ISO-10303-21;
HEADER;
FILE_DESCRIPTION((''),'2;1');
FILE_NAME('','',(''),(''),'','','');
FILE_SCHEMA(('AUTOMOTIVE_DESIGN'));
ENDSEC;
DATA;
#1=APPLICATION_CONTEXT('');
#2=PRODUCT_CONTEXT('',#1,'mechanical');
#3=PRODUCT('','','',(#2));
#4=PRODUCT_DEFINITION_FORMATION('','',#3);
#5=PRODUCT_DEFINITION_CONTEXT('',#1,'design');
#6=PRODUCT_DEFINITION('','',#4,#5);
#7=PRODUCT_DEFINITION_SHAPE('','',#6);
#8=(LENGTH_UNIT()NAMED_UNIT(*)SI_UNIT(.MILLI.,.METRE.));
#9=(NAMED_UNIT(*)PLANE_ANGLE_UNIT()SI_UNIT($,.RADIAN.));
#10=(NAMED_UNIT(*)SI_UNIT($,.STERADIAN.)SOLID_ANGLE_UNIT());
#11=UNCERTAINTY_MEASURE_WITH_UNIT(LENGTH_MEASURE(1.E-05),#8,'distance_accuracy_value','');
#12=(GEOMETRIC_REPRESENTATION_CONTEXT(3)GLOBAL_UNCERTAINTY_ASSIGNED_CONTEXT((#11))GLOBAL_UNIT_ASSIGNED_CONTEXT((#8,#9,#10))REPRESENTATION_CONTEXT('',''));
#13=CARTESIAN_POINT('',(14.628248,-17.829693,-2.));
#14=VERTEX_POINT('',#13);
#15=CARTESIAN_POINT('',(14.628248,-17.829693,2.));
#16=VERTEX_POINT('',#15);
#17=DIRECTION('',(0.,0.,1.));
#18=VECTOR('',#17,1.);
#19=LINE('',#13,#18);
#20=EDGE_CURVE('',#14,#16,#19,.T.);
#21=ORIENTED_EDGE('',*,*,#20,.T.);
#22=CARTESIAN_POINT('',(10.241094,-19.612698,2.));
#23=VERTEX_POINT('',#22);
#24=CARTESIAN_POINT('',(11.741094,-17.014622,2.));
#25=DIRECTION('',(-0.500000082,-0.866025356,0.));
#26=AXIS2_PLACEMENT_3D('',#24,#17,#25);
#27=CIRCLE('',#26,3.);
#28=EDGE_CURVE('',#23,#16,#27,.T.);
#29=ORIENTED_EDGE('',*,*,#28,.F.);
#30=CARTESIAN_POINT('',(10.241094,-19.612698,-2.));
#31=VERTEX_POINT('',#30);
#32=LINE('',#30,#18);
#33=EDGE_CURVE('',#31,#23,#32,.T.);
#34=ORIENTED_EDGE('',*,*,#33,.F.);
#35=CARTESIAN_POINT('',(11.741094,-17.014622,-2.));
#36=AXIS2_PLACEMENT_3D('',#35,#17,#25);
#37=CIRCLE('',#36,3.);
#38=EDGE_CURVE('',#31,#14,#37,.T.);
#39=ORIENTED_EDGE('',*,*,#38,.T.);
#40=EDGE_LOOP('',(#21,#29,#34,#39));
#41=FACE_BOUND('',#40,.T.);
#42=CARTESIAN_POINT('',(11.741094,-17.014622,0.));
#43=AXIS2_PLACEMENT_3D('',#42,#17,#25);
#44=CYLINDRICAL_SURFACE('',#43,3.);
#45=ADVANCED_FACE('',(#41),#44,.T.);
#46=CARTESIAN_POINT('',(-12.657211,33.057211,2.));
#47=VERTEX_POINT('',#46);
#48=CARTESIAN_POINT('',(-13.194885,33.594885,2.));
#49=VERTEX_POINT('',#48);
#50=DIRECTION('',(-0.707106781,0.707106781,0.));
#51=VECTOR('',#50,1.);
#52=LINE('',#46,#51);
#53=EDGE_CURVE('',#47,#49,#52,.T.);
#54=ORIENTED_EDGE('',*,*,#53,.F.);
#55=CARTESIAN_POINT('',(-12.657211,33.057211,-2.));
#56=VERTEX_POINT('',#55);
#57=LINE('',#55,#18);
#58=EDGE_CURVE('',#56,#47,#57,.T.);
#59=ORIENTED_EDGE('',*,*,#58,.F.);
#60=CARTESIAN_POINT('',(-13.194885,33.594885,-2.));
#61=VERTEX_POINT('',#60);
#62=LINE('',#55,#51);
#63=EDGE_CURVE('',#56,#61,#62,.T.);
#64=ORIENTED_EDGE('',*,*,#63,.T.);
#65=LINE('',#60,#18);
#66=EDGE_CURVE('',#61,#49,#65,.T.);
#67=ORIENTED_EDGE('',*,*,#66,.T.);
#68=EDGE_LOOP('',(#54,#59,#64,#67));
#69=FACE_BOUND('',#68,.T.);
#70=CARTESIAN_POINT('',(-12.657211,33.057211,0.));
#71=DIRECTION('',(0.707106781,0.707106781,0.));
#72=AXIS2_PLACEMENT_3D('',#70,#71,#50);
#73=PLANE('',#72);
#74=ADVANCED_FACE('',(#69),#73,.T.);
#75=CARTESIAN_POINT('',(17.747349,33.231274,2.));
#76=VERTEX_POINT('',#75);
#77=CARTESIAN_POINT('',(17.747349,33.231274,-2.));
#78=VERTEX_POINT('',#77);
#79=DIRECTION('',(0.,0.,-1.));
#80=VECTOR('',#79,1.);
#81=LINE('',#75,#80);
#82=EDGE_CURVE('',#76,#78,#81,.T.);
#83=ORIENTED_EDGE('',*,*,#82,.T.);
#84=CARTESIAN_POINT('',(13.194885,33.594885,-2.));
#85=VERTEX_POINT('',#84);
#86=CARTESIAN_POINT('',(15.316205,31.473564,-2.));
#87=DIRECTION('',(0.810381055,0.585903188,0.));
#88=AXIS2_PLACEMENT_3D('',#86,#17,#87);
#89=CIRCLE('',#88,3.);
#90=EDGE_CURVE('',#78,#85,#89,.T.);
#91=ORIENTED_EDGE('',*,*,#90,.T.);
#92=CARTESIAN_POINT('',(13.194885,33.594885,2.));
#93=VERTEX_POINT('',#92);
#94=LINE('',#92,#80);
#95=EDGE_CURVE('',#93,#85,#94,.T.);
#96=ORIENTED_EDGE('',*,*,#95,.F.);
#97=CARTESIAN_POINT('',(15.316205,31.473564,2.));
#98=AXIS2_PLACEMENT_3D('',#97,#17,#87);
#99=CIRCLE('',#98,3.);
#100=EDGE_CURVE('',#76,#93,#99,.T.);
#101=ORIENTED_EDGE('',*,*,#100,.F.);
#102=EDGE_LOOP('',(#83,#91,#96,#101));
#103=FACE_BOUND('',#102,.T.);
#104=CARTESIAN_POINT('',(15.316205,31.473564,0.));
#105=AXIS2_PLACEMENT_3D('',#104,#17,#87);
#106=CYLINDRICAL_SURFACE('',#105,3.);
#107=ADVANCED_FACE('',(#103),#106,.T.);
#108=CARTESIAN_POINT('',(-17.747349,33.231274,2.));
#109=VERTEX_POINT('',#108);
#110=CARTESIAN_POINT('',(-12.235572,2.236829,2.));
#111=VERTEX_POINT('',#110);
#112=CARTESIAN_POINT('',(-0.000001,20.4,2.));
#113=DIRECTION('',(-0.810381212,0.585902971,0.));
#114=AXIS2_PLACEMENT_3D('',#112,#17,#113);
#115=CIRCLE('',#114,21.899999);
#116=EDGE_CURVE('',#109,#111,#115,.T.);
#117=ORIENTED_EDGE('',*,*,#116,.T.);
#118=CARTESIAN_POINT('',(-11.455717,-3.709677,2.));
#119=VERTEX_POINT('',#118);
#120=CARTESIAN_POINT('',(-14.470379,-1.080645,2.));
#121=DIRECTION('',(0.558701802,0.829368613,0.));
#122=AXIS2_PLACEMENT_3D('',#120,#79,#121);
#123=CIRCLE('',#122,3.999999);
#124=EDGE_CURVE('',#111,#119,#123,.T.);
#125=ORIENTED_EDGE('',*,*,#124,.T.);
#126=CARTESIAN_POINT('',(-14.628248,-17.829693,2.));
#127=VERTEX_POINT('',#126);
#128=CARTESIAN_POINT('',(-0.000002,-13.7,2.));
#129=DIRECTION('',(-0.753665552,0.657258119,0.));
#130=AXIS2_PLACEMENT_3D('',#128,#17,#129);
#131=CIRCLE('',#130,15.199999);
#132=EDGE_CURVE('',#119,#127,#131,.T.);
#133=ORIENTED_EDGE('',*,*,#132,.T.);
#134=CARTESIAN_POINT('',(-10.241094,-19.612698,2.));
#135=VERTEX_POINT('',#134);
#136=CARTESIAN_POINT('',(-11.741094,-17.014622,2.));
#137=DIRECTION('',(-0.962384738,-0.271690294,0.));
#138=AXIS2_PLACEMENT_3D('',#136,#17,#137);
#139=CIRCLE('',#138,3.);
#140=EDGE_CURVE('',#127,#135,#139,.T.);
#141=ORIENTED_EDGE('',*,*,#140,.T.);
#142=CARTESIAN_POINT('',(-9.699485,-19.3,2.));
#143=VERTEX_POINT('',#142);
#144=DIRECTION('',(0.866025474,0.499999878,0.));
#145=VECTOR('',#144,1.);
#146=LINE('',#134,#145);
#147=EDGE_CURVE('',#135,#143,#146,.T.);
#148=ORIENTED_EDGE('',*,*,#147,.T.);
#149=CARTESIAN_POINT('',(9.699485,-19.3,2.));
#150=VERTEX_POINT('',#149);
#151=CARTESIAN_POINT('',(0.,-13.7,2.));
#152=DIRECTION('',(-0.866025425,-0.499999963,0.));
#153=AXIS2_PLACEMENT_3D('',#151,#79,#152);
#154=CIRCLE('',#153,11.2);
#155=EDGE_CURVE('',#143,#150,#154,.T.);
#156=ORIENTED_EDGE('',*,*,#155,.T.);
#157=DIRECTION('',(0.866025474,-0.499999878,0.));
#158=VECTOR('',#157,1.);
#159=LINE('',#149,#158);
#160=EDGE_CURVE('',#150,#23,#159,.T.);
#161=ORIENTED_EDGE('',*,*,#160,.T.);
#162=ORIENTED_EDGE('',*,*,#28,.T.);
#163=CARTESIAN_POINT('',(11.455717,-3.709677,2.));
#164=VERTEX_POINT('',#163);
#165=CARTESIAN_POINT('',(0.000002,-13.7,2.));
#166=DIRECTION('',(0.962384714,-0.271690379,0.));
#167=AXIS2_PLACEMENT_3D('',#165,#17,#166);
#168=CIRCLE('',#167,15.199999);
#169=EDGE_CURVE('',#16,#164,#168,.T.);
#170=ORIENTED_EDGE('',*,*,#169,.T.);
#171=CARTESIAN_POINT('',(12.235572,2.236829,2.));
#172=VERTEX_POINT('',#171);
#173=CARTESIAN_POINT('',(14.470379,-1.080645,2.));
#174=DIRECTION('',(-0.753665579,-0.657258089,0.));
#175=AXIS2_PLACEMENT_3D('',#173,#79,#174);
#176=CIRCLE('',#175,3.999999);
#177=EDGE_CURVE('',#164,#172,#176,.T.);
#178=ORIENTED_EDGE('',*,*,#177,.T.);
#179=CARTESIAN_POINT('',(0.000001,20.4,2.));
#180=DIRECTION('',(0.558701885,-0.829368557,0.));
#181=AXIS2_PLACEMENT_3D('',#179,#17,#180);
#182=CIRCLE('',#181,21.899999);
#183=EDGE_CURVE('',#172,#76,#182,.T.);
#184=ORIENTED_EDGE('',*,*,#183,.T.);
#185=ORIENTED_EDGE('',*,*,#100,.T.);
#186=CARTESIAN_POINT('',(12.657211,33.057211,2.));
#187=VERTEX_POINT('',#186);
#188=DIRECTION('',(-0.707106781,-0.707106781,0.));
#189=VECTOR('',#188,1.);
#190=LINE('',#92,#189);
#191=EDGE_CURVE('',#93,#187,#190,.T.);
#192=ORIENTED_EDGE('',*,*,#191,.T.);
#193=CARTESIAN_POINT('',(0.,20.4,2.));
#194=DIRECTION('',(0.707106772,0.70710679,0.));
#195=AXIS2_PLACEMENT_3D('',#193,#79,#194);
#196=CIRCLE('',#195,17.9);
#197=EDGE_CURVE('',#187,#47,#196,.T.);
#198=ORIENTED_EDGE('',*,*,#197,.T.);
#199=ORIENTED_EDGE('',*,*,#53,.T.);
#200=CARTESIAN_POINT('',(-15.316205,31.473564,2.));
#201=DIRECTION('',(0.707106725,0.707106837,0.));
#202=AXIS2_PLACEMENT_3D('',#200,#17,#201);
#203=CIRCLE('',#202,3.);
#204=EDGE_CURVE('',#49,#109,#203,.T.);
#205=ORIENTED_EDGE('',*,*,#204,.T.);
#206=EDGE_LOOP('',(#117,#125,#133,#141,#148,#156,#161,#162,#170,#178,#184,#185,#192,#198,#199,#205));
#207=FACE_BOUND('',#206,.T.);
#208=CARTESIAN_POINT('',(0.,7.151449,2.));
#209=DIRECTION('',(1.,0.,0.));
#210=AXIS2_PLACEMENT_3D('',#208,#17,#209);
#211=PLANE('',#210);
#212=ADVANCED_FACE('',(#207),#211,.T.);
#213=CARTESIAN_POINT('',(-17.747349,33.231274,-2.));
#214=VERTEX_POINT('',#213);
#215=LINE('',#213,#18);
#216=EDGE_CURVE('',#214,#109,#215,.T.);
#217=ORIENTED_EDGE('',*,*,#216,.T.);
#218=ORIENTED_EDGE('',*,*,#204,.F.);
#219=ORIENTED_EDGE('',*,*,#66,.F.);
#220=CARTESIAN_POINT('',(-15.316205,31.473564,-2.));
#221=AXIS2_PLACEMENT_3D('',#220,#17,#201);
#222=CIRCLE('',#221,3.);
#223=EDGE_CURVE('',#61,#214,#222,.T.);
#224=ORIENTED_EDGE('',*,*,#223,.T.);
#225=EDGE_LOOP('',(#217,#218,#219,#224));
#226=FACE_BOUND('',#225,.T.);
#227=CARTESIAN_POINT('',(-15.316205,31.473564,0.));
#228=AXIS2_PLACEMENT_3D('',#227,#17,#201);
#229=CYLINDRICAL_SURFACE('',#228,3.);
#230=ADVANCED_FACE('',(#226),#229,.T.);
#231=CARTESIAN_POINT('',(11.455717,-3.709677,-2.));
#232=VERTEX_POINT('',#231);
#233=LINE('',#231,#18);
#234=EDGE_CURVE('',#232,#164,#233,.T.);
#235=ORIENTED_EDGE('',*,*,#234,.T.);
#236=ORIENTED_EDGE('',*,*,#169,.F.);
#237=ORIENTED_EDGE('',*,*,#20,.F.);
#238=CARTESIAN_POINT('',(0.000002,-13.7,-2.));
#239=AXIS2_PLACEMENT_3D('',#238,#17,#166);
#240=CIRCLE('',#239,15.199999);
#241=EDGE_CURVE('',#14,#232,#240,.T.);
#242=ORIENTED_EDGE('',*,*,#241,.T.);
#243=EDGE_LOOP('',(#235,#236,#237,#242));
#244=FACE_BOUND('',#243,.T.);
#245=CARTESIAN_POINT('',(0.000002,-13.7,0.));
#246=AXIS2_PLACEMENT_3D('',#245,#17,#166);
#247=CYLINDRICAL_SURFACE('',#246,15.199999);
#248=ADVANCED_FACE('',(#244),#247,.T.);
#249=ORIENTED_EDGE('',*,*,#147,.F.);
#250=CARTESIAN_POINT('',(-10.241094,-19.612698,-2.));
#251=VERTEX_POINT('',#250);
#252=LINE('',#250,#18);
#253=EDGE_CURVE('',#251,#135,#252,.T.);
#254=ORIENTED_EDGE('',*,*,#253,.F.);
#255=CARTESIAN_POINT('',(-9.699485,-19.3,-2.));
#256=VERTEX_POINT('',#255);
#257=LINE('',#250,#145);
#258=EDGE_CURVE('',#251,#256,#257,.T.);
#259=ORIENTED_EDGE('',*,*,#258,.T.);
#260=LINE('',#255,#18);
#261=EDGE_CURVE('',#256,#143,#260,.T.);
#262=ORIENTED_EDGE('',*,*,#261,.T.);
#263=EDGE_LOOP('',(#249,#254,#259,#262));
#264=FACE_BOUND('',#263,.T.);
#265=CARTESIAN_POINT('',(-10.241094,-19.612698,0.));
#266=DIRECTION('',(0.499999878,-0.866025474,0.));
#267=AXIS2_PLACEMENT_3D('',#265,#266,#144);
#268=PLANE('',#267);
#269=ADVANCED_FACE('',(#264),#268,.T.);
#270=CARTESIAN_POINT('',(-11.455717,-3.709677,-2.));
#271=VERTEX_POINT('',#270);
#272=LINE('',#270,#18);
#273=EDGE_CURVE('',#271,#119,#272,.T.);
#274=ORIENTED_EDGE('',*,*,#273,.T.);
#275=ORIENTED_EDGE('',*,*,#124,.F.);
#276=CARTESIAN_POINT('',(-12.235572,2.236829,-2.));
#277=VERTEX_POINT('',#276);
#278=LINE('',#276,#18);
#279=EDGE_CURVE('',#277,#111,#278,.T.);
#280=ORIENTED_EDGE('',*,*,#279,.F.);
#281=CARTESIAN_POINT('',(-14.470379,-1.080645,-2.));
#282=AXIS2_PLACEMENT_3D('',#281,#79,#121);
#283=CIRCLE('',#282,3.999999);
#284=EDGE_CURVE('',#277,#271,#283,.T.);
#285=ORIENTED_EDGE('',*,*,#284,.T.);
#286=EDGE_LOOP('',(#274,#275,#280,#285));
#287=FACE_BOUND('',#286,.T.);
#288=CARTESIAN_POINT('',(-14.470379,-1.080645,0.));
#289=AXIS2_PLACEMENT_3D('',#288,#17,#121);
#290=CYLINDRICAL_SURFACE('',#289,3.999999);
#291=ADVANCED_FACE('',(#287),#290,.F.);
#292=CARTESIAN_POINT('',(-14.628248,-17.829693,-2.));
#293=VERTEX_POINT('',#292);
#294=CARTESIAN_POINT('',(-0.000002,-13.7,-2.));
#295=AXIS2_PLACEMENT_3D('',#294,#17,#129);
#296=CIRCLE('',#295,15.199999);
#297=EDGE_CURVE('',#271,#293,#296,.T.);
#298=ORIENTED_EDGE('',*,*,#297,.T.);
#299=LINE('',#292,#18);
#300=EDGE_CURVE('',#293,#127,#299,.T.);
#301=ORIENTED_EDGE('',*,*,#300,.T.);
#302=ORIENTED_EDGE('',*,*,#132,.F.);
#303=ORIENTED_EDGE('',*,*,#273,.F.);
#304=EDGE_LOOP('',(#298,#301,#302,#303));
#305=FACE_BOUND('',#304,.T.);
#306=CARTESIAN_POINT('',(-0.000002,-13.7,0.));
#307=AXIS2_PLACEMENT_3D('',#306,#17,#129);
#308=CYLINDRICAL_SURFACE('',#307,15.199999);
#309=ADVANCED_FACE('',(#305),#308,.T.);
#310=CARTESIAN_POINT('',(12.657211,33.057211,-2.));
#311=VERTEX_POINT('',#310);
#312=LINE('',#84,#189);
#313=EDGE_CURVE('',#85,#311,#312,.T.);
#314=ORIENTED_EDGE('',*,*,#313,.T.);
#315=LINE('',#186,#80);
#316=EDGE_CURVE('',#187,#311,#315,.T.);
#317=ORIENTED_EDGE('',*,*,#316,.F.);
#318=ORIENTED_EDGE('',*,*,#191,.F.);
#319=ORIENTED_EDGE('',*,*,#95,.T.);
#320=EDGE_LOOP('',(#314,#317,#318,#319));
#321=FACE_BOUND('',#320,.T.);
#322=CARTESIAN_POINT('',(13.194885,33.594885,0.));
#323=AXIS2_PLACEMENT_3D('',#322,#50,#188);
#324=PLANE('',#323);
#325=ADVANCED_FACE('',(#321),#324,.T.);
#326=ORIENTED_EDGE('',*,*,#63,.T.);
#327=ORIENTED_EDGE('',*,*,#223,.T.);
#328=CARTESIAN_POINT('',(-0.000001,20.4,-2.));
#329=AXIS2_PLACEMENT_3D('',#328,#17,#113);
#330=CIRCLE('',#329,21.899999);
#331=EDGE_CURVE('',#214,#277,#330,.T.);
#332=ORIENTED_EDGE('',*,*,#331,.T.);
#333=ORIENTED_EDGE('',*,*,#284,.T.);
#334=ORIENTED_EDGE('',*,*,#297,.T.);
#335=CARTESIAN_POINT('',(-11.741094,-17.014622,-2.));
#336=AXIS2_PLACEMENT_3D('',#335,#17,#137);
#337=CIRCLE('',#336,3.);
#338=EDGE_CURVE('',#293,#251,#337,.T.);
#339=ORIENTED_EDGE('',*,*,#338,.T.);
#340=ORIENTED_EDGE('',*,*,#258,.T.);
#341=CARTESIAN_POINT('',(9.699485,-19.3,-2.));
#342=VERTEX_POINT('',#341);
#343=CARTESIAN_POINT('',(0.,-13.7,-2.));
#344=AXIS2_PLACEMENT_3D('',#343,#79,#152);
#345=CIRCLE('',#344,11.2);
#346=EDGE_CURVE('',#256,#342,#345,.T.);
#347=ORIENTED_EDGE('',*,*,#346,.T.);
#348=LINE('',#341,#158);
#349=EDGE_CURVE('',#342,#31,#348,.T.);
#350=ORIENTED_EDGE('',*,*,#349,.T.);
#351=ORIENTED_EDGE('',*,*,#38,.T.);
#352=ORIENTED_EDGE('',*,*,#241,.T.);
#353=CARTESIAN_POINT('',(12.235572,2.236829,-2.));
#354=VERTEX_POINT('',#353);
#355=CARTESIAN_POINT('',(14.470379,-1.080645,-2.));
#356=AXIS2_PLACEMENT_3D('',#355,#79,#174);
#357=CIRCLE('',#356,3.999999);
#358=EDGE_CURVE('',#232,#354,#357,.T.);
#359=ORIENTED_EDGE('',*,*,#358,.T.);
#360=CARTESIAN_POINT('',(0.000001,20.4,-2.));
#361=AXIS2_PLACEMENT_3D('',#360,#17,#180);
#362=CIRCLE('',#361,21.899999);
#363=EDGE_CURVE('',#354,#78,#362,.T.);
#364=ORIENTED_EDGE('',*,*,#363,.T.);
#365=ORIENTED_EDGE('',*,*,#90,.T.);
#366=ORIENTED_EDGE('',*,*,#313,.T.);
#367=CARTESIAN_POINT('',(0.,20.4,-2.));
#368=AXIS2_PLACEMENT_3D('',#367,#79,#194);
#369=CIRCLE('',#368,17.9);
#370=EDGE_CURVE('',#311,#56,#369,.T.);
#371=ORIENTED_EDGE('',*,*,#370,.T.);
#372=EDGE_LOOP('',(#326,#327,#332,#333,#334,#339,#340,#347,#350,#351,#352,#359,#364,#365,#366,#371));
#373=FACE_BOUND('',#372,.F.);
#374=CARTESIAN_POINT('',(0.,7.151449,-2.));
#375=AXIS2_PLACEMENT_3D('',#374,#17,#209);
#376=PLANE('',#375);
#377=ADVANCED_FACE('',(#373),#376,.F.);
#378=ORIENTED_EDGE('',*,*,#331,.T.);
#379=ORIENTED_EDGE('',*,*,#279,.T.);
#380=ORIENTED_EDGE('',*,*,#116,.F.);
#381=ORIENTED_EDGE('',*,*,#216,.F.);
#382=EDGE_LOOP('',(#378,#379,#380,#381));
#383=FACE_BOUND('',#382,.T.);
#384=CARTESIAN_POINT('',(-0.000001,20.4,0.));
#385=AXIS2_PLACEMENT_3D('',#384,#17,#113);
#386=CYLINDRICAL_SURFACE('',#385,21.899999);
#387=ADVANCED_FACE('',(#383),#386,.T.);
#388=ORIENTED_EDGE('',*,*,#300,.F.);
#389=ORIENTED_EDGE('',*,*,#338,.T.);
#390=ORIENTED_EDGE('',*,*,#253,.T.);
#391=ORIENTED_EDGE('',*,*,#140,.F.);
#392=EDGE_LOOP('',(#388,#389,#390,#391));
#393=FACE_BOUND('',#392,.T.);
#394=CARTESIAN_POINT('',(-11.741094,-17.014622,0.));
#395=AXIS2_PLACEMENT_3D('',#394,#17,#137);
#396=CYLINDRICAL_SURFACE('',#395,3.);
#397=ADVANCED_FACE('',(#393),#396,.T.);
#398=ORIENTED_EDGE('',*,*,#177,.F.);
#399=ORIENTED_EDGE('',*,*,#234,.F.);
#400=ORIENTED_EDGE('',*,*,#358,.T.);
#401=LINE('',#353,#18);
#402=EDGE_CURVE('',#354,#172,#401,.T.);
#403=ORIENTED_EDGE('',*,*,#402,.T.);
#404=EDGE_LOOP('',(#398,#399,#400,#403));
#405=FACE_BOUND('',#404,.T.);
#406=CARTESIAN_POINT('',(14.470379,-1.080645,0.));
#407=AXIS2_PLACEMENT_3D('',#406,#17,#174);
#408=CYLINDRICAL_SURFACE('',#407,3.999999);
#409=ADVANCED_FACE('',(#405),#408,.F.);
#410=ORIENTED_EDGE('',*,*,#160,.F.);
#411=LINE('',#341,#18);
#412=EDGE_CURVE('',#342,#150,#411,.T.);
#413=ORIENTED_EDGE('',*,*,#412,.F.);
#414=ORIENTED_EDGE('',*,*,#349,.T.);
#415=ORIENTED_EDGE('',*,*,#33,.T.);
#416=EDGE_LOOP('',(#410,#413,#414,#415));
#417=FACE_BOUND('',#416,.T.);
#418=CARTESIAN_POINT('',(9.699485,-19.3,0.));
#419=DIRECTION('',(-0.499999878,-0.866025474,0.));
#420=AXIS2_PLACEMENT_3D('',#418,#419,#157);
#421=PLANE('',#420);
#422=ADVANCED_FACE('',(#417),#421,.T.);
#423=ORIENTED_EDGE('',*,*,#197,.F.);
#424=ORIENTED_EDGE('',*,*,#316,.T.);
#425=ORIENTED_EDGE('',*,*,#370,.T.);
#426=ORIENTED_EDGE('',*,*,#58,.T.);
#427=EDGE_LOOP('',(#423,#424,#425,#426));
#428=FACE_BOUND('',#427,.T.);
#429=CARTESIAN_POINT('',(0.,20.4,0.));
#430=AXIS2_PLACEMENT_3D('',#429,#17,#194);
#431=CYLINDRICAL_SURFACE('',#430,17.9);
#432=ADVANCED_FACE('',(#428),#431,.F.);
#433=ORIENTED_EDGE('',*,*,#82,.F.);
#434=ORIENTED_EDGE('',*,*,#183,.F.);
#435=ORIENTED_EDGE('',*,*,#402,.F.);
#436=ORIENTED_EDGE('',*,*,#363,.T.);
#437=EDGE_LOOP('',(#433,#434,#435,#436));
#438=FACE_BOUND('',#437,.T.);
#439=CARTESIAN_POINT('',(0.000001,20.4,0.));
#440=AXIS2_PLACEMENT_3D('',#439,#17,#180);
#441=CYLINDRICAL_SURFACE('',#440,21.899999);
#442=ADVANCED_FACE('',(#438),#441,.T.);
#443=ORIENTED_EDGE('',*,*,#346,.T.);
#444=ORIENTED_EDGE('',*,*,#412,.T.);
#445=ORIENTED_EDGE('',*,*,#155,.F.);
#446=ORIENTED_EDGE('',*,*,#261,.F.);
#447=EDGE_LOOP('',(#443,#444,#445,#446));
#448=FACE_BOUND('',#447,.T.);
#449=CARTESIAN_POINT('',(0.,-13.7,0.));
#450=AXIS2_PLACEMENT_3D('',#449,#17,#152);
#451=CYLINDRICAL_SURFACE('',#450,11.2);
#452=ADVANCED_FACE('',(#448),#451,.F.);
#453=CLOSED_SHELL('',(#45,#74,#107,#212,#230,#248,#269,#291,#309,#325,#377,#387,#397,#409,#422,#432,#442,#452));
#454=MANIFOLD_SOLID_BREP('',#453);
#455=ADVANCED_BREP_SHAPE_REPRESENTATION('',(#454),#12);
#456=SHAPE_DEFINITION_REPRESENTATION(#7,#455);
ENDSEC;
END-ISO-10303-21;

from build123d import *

# Parameters (mm, degrees)
F2_DEPTH = 2


with BuildPart() as f2:
    # F0 (on Top) → F2 (new body, symmetric)
    with BuildSketch(Plane.XY):
        with BuildLine():
            ThreePointArc((12.657211, 33.057211), (0, 2.5), (-12.657211, 33.057211))
            Line((-12.657211, 33.057211), (-13.194885, 33.594885))
            ThreePointArc((-13.194885, 33.594885), (-15.555059, 34.464041), (-17.747349, 33.231274))
            ThreePointArc((-17.747349, 33.231274), (-21.561721, 16.565655), (-12.235572, 2.236829))
            ThreePointArc((-12.235572, 2.236829), (-10.50434, -0.560519), (-11.455717, -3.709677))
            ThreePointArc((-11.455717, -3.709677), (-14.830274, -10.367886), (-14.628248, -17.829693))
            ThreePointArc((-14.628248, -17.829693), (-12.870618, -19.793862), (-10.241094, -19.612698))
            Line((-10.241094, -19.612698), (-9.699485, -19.3))
            ThreePointArc((-9.699485, -19.3), (0, -2.5), (9.699485, -19.3))
            Line((9.699485, -19.3), (10.241094, -19.612698))
            ThreePointArc((10.241094, -19.612698), (12.870618, -19.793862), (14.628248, -17.829693))
            ThreePointArc((14.628248, -17.829693), (14.830274, -10.367886), (11.455717, -3.709677))
            ThreePointArc((11.455717, -3.709677), (10.50434, -0.560519), (12.235572, 2.236829))
            ThreePointArc((12.235572, 2.236829), (21.561721, 16.565655), (17.747349, 33.231274))
            ThreePointArc((17.747349, 33.231274), (15.555059, 34.464041), (13.194885, 33.594885))
            Line((13.194885, 33.594885), (12.657211, 33.057211))
        make_face()
    extrude(amount=F2_DEPTH, both=True)


solid = f2.part
